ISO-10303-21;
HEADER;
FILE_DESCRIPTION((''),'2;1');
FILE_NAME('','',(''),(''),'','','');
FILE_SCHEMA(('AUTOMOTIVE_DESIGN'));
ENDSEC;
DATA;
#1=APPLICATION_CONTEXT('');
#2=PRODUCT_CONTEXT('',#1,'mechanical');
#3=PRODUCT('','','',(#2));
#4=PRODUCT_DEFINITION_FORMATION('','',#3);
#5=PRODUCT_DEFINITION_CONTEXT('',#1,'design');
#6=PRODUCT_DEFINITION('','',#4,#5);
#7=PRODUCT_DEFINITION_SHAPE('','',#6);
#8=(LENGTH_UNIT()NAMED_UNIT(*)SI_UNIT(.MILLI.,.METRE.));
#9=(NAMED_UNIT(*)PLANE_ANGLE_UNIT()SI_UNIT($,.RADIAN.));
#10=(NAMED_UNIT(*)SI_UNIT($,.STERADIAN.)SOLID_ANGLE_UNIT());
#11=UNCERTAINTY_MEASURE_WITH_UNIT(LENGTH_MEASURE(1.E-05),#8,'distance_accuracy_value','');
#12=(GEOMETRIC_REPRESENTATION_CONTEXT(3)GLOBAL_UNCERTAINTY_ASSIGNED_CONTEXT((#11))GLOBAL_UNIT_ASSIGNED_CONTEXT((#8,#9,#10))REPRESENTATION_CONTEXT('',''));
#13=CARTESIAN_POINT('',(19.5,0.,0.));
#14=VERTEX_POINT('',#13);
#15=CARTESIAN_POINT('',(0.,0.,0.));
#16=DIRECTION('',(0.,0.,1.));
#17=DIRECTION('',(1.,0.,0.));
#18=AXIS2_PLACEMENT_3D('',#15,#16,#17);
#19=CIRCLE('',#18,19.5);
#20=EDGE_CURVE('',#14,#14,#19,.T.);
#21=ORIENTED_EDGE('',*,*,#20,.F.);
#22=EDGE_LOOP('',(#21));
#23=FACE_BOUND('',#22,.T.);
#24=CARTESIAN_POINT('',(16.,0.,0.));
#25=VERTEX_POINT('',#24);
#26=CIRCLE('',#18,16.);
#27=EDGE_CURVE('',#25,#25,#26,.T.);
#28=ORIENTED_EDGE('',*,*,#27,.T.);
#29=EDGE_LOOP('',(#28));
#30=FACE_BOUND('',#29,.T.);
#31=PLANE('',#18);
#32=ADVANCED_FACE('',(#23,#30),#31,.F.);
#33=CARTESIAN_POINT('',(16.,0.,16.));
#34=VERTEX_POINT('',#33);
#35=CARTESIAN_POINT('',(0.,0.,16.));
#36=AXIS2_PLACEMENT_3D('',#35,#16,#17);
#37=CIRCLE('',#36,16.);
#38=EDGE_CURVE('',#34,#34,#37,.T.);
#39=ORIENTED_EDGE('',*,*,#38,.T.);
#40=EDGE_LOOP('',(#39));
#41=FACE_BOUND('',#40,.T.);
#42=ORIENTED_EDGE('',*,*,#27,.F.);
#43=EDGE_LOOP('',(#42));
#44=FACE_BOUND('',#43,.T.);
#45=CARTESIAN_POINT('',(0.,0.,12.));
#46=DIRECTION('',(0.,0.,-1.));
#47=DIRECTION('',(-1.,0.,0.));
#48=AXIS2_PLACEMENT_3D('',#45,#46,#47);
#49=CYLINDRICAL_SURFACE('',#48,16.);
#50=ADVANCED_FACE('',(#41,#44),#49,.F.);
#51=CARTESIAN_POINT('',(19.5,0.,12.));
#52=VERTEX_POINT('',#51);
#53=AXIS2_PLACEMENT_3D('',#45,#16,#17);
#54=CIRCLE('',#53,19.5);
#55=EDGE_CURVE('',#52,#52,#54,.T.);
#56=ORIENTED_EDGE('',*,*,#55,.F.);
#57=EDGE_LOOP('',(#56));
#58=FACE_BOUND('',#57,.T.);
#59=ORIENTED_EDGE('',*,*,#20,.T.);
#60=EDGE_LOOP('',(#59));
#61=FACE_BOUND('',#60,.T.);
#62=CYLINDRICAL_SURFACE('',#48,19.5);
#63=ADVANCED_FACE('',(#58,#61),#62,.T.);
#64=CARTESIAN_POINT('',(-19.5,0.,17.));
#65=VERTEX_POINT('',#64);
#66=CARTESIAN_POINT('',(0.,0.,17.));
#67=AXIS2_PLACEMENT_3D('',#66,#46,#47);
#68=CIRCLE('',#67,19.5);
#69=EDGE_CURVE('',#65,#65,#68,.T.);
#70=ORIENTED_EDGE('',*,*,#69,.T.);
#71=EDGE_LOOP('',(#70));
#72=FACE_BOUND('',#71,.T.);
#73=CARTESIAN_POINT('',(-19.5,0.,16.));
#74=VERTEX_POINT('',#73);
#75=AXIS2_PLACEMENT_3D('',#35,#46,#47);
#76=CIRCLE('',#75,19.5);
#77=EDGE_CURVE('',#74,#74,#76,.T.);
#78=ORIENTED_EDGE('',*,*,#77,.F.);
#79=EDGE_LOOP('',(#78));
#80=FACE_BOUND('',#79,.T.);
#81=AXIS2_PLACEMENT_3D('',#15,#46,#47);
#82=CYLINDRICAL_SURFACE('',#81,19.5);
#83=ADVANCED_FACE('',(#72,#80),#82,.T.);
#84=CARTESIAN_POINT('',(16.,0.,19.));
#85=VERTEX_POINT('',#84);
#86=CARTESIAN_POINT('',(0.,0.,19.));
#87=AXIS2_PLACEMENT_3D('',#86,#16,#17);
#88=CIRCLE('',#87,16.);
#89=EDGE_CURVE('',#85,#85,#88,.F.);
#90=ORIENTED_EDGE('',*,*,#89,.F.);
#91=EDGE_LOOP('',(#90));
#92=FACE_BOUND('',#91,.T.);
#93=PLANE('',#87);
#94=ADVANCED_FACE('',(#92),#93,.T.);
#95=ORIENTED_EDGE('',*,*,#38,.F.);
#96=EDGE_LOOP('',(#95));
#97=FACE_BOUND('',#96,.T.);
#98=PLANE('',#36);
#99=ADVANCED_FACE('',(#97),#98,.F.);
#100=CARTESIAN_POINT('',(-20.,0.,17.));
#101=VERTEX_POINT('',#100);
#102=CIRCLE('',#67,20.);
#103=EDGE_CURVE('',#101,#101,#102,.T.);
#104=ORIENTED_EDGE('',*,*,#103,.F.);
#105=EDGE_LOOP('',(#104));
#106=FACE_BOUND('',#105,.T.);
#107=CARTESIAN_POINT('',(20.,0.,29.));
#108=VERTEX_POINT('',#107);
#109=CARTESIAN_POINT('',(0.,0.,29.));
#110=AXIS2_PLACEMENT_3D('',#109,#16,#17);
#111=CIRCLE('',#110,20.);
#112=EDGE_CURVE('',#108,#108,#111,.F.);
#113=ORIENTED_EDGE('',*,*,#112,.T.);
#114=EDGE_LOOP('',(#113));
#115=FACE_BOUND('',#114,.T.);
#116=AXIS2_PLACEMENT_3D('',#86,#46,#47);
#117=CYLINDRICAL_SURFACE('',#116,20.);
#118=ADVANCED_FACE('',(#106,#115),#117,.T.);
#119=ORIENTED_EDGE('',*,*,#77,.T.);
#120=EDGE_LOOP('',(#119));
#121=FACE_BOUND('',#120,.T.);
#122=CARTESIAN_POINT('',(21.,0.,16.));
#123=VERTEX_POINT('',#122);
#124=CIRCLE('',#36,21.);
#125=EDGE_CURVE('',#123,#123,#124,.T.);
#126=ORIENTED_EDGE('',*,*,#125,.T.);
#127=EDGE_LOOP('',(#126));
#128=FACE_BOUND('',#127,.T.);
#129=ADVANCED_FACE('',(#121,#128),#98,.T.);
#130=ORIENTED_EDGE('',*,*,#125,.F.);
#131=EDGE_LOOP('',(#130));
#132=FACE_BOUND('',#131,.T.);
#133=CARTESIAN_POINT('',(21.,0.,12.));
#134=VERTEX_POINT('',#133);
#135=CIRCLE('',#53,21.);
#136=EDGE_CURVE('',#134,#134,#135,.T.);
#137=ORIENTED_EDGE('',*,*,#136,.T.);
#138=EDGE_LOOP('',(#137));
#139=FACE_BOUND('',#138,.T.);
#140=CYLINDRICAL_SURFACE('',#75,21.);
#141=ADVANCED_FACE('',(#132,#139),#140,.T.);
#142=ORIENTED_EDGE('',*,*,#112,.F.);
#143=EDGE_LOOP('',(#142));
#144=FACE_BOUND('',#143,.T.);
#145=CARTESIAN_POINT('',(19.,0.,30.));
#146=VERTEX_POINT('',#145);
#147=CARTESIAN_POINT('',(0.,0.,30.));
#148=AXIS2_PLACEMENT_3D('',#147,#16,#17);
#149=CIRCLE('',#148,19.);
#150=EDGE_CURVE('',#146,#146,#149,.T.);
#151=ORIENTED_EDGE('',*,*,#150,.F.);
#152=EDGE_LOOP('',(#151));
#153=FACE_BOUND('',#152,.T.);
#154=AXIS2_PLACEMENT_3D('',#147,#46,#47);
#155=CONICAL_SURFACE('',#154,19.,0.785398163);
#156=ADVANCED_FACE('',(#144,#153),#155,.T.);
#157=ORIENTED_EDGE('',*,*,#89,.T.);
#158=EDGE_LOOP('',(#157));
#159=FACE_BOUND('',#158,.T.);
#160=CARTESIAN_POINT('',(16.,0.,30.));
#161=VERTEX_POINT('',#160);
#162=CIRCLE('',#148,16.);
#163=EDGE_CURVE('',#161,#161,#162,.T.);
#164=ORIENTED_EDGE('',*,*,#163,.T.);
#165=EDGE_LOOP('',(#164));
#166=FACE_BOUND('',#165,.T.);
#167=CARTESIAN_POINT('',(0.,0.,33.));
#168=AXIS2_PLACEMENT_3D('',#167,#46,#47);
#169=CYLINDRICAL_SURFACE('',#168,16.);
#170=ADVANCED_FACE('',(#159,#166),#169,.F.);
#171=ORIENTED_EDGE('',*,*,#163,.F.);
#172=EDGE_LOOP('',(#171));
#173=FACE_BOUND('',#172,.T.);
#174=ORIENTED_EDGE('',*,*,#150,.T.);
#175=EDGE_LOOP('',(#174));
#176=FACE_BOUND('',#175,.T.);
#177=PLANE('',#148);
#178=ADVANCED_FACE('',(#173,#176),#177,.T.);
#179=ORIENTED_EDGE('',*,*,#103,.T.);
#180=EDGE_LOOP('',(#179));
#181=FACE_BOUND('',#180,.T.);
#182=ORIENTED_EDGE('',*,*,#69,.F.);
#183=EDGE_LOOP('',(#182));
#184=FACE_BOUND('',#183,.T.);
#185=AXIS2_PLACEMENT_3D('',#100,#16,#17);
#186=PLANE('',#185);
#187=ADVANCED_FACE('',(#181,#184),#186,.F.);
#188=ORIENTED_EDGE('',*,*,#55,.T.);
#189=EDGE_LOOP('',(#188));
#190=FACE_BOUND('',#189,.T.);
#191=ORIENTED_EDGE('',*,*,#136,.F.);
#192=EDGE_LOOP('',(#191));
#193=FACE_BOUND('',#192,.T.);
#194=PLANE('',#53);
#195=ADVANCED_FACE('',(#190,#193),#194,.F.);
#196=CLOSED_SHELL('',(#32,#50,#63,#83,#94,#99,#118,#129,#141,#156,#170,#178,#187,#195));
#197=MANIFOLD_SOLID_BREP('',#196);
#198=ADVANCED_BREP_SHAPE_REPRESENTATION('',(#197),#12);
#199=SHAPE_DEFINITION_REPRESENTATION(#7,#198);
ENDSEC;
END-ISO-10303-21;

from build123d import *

# Parameters (mm, degrees)
SKETCH_1_R          = 19.5
SKETCH_1_R_2        = 16
EXTRUDE_1_DEPTH     = 12
SKETCH_2_R          = 21
SKETCH_2_R_2        = 16
EXTRUDE_2_DEPTH     = 4
SKETCH_3_R          = 20
EXTRUDE_3_DEPTH     = 3
SKETCH_4_R          = 20
SKETCH_4_R_2        = 16
EXTRUDE_4_DEPTH     = 14
SKETCH_6_R          = 20
SKETCH_6_R_2        = 19
CUT_EXTRUDE_1_DEPTH = 1.5
CUT_EXTRUDE_START   = -3
SKETCH_7_R          = 20
CUT_EXTRUDE_2_DEPTH = 3
CHAMFER_1_SIZE      = 1
SKETCH_8_W          = 0.5
SKETCH_8_H          = 1


with BuildPart() as part:
    # 草图1 → 拉伸1 (new body)
    with BuildSketch(Plane.XY):
        Circle(SKETCH_1_R)
        Circle(SKETCH_1_R_2, mode=Mode.SUBTRACT)
    extrude(amount=EXTRUDE_1_DEPTH)

    # 草图2 → 拉伸2 (add)
    with BuildSketch(Plane.XY.offset(12)):
        Circle(SKETCH_2_R)
        Circle(SKETCH_2_R_2, mode=Mode.SUBTRACT)
    extrude(amount=EXTRUDE_2_DEPTH)

    # 草图3 → 拉伸3 (add)
    with BuildSketch(Plane.XY.offset(16)):
        Circle(SKETCH_3_R)
    extrude(amount=EXTRUDE_3_DEPTH)

    # 草图4 → 拉伸4 (add)
    with BuildSketch(Plane.XY.offset(19)):
        Circle(SKETCH_4_R)
        Circle(SKETCH_4_R_2, mode=Mode.SUBTRACT)
    extrude(amount=EXTRUDE_4_DEPTH)

    # 草图6 → 切除-拉伸1 (cut)
    with BuildSketch(Plane.XY.offset(30)):
        Circle(SKETCH_6_R)
        Circle(SKETCH_6_R_2, mode=Mode.SUBTRACT)
    extrude(amount=CUT_EXTRUDE_1_DEPTH, mode=Mode.SUBTRACT)

    # 草图7 → 切除-拉伸2 (cut)
    with BuildSketch(Plane.XY.offset(33).offset(CUT_EXTRUDE_START)):
        Circle(SKETCH_7_R)
    extrude(amount=CUT_EXTRUDE_2_DEPTH, mode=Mode.SUBTRACT)

    # 倒角1
    chamfer_1_edges = [part.edges().sort_by_distance(p)[0] for p in [
        (-20, 0, 30),
    ]]
    chamfer(chamfer_1_edges, length=CHAMFER_1_SIZE)

    # 草图8 → 切除-旋转1 (revolve, cut)
    with BuildSketch(Plane(origin=(0, 0, 0), x_dir=(1, 0, 0), z_dir=(0, 1, 0))):
        with Locations((-19.75, -16.5)):
            Rectangle(SKETCH_8_W, SKETCH_8_H)
    revolve(axis=Axis((0, 0, 0), (0, 0, 1)), mode=Mode.SUBTRACT)


solid = part.part
